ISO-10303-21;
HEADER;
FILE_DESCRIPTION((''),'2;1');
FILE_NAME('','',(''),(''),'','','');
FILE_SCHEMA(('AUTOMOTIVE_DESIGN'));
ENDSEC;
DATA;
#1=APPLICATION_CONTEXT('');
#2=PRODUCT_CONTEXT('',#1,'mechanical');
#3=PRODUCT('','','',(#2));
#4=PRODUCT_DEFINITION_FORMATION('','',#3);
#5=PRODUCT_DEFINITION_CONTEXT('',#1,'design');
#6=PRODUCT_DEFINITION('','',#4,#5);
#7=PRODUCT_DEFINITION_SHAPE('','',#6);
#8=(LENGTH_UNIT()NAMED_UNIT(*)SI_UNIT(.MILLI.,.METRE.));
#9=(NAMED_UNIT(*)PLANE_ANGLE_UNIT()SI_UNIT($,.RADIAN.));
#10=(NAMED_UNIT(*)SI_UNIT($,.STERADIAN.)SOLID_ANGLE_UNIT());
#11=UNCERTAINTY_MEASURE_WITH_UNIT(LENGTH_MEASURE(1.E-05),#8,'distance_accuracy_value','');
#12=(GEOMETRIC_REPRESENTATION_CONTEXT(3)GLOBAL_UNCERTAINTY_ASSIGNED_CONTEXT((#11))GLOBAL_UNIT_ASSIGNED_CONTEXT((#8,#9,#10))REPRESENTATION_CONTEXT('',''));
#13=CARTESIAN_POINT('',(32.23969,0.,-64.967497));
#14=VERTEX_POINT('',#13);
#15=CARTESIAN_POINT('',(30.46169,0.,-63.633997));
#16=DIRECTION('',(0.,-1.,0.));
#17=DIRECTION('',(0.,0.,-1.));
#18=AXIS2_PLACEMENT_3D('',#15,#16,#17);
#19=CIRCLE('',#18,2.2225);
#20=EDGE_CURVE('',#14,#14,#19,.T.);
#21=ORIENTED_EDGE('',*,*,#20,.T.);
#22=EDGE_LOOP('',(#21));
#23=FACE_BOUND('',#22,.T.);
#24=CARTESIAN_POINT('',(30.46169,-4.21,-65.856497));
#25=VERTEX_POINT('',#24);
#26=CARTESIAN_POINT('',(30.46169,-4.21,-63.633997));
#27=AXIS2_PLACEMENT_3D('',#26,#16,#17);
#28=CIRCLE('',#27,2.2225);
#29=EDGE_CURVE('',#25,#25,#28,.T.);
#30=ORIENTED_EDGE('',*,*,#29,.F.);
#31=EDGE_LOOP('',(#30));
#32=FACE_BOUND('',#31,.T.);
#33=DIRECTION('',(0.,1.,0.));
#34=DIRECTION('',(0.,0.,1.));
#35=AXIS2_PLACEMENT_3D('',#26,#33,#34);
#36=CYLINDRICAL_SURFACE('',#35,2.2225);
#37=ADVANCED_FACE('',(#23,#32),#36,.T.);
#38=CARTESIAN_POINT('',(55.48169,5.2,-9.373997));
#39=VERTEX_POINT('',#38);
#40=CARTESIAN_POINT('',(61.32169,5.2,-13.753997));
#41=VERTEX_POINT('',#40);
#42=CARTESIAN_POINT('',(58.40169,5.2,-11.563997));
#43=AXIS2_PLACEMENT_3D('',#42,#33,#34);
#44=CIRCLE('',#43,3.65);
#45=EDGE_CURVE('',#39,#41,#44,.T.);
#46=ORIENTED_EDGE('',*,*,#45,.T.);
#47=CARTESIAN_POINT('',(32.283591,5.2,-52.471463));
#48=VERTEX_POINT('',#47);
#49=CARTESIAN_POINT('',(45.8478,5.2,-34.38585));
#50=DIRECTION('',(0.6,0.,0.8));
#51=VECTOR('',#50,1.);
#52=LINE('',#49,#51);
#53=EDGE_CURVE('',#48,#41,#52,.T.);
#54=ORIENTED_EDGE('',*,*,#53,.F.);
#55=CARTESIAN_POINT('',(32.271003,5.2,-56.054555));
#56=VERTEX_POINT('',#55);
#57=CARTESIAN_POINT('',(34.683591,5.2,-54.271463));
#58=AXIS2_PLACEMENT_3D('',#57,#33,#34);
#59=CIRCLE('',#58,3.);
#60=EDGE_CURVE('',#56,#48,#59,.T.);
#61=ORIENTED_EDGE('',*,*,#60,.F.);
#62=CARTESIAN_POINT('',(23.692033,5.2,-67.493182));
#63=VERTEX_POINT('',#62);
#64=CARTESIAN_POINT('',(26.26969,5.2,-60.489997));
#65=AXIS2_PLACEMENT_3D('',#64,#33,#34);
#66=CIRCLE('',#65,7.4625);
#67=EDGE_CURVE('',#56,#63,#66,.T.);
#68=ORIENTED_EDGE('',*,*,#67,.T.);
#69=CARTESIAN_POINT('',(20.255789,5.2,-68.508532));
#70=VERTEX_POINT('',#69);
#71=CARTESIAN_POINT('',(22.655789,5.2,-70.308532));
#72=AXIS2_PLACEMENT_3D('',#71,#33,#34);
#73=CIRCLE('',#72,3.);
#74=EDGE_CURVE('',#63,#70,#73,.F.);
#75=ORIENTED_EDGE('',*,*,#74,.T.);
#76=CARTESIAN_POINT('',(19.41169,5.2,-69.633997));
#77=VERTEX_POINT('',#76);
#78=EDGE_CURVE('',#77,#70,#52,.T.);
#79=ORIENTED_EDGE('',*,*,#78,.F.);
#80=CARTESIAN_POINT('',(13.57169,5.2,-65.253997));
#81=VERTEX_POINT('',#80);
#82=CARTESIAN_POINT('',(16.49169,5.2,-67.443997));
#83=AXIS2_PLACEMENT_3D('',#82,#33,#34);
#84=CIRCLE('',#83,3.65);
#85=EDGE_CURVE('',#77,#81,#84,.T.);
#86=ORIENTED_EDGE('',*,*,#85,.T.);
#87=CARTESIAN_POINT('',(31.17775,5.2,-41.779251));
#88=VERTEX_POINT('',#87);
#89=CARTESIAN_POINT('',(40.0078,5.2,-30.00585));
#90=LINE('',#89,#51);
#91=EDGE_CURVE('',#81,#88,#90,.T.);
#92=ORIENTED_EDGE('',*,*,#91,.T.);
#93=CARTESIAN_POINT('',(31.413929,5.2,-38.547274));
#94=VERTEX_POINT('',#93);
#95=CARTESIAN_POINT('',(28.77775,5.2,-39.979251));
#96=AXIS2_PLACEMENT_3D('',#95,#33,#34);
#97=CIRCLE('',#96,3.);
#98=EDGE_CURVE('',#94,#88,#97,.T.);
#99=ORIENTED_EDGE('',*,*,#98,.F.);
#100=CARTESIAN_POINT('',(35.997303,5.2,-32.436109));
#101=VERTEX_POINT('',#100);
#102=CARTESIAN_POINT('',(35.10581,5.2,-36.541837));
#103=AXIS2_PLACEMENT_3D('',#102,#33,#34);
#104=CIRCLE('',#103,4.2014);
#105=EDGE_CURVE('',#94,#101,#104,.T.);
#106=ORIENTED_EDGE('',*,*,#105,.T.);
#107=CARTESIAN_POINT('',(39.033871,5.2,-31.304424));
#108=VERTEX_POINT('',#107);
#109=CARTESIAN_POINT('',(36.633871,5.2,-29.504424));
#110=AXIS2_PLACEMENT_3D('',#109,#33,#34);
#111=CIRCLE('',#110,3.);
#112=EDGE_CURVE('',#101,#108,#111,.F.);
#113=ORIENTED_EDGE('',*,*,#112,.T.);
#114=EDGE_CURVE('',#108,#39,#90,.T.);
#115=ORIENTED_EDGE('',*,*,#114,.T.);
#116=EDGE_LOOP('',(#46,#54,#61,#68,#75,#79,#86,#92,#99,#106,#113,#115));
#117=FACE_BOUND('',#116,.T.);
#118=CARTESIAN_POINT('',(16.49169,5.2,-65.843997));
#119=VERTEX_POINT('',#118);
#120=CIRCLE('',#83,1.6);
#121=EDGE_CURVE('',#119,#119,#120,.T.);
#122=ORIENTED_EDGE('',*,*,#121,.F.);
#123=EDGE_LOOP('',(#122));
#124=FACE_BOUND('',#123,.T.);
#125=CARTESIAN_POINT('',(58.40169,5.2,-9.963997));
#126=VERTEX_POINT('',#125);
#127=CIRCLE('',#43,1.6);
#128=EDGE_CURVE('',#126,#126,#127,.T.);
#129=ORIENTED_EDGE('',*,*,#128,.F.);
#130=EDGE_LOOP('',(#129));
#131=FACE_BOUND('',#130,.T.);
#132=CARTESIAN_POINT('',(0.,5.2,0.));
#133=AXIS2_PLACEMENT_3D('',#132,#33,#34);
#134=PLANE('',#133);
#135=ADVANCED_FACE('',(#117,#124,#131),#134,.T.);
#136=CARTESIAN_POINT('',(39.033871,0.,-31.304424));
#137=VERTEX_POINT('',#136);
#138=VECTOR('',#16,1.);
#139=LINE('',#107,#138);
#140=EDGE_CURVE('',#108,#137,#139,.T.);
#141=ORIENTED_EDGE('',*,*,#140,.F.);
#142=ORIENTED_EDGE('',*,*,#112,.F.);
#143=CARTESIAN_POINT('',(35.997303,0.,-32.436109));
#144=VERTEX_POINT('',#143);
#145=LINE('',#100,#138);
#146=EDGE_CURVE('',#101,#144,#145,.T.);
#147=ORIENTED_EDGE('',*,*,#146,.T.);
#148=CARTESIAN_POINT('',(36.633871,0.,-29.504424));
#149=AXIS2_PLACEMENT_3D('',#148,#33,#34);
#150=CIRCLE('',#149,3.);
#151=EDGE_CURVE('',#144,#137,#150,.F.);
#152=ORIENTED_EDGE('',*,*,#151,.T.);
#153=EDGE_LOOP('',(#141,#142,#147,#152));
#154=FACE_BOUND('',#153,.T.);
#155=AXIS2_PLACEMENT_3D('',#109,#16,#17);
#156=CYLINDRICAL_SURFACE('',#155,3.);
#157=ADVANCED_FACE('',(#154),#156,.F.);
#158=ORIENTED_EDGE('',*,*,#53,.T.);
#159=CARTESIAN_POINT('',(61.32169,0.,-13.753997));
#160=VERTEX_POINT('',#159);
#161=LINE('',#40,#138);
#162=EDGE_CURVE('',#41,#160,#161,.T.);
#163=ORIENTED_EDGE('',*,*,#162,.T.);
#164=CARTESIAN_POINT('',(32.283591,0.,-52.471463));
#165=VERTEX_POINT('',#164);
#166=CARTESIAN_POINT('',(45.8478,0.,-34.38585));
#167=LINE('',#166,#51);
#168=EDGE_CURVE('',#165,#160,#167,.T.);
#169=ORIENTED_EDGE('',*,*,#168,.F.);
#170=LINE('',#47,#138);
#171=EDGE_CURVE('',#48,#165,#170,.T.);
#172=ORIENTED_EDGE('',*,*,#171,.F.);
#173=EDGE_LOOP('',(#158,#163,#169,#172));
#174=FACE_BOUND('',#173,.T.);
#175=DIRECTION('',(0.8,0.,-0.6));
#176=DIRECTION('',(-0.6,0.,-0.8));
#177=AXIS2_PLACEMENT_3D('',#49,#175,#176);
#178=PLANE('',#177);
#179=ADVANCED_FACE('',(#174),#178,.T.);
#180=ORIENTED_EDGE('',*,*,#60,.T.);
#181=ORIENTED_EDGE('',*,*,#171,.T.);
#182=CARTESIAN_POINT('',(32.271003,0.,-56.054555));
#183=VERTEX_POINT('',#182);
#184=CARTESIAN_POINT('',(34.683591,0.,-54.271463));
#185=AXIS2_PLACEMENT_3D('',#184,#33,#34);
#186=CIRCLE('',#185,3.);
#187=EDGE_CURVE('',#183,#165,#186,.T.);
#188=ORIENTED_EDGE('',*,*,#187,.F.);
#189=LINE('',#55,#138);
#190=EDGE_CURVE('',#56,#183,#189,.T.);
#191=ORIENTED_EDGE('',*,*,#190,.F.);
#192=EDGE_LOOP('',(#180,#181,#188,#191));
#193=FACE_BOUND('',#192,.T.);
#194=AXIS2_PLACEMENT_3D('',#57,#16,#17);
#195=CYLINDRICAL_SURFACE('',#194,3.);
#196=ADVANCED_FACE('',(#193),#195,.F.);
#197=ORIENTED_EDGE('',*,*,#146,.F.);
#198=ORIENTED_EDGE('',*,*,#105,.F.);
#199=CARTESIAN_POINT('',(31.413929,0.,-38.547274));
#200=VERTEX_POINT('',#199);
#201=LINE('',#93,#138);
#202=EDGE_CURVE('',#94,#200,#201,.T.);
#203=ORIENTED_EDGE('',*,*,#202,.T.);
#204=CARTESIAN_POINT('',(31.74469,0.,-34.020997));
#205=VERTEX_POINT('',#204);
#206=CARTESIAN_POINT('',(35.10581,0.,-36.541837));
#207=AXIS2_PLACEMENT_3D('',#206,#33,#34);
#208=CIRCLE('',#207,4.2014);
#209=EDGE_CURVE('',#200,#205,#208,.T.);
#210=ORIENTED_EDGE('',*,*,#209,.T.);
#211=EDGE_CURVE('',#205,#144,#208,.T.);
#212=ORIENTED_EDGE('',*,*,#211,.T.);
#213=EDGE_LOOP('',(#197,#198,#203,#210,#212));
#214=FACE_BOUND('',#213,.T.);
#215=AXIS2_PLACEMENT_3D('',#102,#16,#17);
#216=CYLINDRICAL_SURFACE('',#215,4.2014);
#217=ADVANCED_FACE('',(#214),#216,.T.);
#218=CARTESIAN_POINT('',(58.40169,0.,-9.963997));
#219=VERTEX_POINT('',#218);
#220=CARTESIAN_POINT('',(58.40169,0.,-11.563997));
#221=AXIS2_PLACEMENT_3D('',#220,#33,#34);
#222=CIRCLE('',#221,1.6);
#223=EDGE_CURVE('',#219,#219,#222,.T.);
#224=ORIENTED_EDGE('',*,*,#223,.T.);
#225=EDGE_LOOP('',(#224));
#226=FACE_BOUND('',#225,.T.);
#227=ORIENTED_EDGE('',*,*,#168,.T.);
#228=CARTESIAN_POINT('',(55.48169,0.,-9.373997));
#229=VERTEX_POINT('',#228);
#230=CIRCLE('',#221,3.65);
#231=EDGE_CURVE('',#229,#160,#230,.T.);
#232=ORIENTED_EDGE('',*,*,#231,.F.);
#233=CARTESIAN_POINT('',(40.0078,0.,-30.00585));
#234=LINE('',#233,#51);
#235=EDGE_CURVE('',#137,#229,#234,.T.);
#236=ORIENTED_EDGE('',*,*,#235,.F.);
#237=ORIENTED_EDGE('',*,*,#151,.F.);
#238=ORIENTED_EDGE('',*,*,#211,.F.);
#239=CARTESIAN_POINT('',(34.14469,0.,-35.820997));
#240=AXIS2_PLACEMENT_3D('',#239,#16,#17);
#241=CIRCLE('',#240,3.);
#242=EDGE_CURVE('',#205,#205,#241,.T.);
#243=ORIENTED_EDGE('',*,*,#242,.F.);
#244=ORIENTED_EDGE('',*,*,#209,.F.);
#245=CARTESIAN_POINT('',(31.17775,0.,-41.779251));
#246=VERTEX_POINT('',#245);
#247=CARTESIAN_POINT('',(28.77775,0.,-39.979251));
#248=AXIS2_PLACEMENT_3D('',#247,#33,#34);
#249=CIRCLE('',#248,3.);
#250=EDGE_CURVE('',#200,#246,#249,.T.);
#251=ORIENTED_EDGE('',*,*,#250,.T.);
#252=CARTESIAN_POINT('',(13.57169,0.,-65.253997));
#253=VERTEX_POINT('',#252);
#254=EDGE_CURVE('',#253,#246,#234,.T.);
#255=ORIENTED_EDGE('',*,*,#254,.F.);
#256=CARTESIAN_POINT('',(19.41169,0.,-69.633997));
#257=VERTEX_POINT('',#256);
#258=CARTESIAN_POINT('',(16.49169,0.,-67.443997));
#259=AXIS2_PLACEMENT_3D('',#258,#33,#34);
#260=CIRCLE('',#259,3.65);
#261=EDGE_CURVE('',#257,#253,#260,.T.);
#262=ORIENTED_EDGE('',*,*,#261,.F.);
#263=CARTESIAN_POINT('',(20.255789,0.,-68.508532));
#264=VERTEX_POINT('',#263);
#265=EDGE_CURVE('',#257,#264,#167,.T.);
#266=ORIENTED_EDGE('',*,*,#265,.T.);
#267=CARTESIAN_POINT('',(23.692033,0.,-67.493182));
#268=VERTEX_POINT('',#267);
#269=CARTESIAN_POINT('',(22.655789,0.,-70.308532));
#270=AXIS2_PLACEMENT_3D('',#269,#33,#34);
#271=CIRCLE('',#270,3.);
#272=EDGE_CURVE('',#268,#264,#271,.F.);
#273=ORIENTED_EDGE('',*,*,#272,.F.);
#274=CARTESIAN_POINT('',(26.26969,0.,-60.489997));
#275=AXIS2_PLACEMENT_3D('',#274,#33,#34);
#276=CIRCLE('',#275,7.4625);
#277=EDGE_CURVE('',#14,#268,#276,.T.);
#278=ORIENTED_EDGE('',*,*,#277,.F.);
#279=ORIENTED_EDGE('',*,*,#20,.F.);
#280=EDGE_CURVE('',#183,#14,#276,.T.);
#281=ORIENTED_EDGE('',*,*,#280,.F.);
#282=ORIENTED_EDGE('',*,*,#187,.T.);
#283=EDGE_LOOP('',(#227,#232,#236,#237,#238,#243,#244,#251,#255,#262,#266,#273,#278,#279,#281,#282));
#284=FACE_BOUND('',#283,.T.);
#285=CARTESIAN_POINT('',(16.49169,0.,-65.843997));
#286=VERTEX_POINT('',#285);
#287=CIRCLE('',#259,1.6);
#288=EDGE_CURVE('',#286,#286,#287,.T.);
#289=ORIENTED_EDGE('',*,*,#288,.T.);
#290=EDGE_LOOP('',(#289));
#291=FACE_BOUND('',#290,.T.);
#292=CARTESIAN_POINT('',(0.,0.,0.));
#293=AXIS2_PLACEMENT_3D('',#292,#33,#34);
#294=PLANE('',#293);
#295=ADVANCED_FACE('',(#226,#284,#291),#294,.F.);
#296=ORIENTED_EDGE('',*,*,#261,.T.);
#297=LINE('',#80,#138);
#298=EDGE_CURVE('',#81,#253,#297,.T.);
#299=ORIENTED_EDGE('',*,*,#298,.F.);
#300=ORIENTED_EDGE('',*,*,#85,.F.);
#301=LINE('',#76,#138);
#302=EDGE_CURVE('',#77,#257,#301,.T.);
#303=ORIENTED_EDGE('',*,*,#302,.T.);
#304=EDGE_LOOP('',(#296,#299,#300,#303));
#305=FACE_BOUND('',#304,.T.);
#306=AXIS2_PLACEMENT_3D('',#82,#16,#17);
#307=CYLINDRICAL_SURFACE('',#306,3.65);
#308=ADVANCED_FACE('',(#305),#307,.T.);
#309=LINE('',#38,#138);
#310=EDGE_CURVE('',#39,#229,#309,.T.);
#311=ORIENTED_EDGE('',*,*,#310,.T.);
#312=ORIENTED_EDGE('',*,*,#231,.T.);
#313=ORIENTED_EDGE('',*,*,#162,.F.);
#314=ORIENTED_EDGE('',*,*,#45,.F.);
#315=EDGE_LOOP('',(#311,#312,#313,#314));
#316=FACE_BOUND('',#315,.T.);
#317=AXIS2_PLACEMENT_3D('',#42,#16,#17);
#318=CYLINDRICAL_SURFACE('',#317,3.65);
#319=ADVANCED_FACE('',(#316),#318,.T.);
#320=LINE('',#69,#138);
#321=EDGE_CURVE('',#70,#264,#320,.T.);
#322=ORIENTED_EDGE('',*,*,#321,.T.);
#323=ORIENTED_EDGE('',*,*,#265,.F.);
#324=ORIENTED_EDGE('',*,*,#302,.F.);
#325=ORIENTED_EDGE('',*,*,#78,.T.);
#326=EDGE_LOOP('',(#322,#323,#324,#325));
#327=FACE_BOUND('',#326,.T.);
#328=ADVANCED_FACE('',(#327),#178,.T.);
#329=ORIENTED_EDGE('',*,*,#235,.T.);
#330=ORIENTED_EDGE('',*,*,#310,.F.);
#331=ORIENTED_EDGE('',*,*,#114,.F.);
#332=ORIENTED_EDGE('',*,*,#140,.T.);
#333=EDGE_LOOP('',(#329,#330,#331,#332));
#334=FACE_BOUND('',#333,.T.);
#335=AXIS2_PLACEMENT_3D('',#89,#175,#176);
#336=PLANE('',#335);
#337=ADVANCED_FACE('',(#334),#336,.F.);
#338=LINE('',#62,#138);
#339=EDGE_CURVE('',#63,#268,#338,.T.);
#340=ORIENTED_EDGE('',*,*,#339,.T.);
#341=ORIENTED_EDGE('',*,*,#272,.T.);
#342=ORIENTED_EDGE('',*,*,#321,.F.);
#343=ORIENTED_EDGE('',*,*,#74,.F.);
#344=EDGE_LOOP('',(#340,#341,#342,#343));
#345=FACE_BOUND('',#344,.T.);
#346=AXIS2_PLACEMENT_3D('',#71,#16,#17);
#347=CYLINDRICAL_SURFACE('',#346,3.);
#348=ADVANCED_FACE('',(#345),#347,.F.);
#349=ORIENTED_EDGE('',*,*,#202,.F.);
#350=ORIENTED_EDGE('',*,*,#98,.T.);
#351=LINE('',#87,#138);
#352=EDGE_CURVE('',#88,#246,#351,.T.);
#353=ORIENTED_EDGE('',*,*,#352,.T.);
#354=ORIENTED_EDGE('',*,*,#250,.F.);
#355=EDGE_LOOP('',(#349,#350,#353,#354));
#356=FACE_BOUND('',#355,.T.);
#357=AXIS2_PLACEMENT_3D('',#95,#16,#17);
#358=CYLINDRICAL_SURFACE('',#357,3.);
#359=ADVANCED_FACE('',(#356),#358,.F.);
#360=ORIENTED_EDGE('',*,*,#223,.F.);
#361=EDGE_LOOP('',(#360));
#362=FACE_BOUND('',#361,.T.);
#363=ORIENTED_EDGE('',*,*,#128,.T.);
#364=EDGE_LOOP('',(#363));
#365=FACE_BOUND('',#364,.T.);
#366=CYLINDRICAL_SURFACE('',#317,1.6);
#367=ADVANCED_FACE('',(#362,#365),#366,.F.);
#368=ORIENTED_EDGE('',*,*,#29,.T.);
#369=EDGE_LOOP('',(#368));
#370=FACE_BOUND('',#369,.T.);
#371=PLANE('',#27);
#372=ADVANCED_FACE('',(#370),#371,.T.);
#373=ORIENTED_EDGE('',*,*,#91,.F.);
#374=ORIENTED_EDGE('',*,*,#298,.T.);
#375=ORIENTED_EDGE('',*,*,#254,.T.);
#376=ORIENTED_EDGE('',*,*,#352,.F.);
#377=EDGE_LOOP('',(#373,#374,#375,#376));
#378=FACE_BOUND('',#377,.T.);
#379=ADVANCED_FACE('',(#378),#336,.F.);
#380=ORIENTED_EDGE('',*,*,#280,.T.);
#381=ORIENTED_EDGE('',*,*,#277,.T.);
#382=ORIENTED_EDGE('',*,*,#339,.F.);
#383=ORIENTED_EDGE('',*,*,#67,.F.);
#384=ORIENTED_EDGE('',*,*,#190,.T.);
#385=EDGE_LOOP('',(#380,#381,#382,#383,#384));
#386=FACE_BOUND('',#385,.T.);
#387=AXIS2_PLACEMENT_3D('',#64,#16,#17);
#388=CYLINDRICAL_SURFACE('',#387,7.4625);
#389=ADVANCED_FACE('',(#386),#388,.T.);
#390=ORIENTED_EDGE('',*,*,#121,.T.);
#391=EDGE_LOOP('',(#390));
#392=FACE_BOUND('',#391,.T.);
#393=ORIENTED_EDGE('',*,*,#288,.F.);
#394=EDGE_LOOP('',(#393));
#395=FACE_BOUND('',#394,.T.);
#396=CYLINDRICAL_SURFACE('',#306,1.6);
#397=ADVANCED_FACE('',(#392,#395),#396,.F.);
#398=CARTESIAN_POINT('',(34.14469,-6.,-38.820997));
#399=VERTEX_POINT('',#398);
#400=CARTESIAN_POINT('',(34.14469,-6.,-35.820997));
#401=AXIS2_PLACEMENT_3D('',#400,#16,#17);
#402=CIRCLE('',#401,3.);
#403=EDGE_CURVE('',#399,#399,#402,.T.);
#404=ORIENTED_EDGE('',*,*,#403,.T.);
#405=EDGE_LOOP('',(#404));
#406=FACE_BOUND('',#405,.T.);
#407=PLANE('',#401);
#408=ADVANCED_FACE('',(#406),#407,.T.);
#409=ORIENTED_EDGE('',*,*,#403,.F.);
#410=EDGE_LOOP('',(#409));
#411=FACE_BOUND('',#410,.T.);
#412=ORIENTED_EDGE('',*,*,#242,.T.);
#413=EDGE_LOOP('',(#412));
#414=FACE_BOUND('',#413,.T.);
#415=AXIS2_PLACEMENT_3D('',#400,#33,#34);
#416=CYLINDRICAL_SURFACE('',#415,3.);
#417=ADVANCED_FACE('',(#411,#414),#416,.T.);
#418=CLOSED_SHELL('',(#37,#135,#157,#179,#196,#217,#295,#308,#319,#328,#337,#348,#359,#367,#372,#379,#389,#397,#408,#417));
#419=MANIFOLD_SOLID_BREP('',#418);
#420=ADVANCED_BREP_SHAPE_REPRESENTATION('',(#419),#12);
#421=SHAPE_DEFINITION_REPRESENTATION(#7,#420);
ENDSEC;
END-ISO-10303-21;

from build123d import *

# Parameters (mm, degrees)
SKETCH1_R           = 1.6
BOSS_EXTRUDE1_DEPTH = 5.2
SKETCH2_R           = 3
BOSS_EXTRUDE2_DEPTH = 6
SKETCH3_R           = 2.2225
BOSS_EXTRUDE3_DEPTH = 4.21


with BuildPart() as part:
    # Sketch1 → Boss-Extrude1 (new body)
    with BuildSketch(Plane(origin=(0, 0, 0), x_dir=(1, 0, 0), z_dir=(0, 1, 0))):
        with BuildLine():
            Line((13.571690234, 65.253997386), (31.177749859, 41.779251219))
            ThreePointArc((31.177749859, 41.779251219), (31.769771696, 40.197895519), (31.413929092, 38.547273896))
            ThreePointArc((31.413929092, 38.547273896), (31.744690234, 34.020997386), (35.997302563, 32.436109267))
            ThreePointArc((35.997302563, 32.436109267), (37.681535251, 32.315544113), (39.033870608, 31.304423554))
            Line((39.033870608, 31.304423554), (55.481690234, 9.373997386))
            ThreePointArc((55.481690234, 9.373997386), (60.591690234, 8.643997386), (61.321690234, 13.753997386))
            Line((61.321690234, 13.753997386), (32.283591318, 52.471462608))
            ThreePointArc((32.283591318, 52.471462608), (31.683609832, 54.260923069), (32.271003193, 56.054555017))
            ThreePointArc((32.271003193, 56.054555017), (32.239690234, 64.967497386), (23.692033188, 67.493181691))
            ThreePointArc((23.692033188, 67.493181691), (21.805676377, 67.431501009), (20.25578915, 68.508532165))
            Line((20.25578915, 68.508532165), (19.411690234, 69.633997386))
            ThreePointArc((19.411690234, 69.633997386), (14.301690234, 70.363997386), (13.571690234, 65.253997386))
        make_face()
        with Locations(Location((16.491690234, 67.443997386, 0), (0, 0, 270))):
            Circle(SKETCH1_R, mode=Mode.SUBTRACT)
        with Locations(Location((58.401690234, 11.563997386, 0), (0, 0, 270))):
            Circle(SKETCH1_R, mode=Mode.SUBTRACT)
    extrude(amount=BOSS_EXTRUDE1_DEPTH)

    # Sketch2 → Boss-Extrude2 (add)
    with BuildSketch(Plane.XZ):
        with Locations(Location((34.144690234, -35.820997386, 0), (0, 0, 143.129227332))):
            Circle(SKETCH2_R)
    extrude(amount=BOSS_EXTRUDE2_DEPTH)

    # Sketch3 → Boss-Extrude3 (add)
    with BuildSketch(Plane.XZ):
        with Locations(Location((30.461690234, -63.633997386, 0), (0, 0, 323.129453592))):
            Circle(SKETCH3_R)
    extrude(amount=BOSS_EXTRUDE3_DEPTH)


solid = part.part
